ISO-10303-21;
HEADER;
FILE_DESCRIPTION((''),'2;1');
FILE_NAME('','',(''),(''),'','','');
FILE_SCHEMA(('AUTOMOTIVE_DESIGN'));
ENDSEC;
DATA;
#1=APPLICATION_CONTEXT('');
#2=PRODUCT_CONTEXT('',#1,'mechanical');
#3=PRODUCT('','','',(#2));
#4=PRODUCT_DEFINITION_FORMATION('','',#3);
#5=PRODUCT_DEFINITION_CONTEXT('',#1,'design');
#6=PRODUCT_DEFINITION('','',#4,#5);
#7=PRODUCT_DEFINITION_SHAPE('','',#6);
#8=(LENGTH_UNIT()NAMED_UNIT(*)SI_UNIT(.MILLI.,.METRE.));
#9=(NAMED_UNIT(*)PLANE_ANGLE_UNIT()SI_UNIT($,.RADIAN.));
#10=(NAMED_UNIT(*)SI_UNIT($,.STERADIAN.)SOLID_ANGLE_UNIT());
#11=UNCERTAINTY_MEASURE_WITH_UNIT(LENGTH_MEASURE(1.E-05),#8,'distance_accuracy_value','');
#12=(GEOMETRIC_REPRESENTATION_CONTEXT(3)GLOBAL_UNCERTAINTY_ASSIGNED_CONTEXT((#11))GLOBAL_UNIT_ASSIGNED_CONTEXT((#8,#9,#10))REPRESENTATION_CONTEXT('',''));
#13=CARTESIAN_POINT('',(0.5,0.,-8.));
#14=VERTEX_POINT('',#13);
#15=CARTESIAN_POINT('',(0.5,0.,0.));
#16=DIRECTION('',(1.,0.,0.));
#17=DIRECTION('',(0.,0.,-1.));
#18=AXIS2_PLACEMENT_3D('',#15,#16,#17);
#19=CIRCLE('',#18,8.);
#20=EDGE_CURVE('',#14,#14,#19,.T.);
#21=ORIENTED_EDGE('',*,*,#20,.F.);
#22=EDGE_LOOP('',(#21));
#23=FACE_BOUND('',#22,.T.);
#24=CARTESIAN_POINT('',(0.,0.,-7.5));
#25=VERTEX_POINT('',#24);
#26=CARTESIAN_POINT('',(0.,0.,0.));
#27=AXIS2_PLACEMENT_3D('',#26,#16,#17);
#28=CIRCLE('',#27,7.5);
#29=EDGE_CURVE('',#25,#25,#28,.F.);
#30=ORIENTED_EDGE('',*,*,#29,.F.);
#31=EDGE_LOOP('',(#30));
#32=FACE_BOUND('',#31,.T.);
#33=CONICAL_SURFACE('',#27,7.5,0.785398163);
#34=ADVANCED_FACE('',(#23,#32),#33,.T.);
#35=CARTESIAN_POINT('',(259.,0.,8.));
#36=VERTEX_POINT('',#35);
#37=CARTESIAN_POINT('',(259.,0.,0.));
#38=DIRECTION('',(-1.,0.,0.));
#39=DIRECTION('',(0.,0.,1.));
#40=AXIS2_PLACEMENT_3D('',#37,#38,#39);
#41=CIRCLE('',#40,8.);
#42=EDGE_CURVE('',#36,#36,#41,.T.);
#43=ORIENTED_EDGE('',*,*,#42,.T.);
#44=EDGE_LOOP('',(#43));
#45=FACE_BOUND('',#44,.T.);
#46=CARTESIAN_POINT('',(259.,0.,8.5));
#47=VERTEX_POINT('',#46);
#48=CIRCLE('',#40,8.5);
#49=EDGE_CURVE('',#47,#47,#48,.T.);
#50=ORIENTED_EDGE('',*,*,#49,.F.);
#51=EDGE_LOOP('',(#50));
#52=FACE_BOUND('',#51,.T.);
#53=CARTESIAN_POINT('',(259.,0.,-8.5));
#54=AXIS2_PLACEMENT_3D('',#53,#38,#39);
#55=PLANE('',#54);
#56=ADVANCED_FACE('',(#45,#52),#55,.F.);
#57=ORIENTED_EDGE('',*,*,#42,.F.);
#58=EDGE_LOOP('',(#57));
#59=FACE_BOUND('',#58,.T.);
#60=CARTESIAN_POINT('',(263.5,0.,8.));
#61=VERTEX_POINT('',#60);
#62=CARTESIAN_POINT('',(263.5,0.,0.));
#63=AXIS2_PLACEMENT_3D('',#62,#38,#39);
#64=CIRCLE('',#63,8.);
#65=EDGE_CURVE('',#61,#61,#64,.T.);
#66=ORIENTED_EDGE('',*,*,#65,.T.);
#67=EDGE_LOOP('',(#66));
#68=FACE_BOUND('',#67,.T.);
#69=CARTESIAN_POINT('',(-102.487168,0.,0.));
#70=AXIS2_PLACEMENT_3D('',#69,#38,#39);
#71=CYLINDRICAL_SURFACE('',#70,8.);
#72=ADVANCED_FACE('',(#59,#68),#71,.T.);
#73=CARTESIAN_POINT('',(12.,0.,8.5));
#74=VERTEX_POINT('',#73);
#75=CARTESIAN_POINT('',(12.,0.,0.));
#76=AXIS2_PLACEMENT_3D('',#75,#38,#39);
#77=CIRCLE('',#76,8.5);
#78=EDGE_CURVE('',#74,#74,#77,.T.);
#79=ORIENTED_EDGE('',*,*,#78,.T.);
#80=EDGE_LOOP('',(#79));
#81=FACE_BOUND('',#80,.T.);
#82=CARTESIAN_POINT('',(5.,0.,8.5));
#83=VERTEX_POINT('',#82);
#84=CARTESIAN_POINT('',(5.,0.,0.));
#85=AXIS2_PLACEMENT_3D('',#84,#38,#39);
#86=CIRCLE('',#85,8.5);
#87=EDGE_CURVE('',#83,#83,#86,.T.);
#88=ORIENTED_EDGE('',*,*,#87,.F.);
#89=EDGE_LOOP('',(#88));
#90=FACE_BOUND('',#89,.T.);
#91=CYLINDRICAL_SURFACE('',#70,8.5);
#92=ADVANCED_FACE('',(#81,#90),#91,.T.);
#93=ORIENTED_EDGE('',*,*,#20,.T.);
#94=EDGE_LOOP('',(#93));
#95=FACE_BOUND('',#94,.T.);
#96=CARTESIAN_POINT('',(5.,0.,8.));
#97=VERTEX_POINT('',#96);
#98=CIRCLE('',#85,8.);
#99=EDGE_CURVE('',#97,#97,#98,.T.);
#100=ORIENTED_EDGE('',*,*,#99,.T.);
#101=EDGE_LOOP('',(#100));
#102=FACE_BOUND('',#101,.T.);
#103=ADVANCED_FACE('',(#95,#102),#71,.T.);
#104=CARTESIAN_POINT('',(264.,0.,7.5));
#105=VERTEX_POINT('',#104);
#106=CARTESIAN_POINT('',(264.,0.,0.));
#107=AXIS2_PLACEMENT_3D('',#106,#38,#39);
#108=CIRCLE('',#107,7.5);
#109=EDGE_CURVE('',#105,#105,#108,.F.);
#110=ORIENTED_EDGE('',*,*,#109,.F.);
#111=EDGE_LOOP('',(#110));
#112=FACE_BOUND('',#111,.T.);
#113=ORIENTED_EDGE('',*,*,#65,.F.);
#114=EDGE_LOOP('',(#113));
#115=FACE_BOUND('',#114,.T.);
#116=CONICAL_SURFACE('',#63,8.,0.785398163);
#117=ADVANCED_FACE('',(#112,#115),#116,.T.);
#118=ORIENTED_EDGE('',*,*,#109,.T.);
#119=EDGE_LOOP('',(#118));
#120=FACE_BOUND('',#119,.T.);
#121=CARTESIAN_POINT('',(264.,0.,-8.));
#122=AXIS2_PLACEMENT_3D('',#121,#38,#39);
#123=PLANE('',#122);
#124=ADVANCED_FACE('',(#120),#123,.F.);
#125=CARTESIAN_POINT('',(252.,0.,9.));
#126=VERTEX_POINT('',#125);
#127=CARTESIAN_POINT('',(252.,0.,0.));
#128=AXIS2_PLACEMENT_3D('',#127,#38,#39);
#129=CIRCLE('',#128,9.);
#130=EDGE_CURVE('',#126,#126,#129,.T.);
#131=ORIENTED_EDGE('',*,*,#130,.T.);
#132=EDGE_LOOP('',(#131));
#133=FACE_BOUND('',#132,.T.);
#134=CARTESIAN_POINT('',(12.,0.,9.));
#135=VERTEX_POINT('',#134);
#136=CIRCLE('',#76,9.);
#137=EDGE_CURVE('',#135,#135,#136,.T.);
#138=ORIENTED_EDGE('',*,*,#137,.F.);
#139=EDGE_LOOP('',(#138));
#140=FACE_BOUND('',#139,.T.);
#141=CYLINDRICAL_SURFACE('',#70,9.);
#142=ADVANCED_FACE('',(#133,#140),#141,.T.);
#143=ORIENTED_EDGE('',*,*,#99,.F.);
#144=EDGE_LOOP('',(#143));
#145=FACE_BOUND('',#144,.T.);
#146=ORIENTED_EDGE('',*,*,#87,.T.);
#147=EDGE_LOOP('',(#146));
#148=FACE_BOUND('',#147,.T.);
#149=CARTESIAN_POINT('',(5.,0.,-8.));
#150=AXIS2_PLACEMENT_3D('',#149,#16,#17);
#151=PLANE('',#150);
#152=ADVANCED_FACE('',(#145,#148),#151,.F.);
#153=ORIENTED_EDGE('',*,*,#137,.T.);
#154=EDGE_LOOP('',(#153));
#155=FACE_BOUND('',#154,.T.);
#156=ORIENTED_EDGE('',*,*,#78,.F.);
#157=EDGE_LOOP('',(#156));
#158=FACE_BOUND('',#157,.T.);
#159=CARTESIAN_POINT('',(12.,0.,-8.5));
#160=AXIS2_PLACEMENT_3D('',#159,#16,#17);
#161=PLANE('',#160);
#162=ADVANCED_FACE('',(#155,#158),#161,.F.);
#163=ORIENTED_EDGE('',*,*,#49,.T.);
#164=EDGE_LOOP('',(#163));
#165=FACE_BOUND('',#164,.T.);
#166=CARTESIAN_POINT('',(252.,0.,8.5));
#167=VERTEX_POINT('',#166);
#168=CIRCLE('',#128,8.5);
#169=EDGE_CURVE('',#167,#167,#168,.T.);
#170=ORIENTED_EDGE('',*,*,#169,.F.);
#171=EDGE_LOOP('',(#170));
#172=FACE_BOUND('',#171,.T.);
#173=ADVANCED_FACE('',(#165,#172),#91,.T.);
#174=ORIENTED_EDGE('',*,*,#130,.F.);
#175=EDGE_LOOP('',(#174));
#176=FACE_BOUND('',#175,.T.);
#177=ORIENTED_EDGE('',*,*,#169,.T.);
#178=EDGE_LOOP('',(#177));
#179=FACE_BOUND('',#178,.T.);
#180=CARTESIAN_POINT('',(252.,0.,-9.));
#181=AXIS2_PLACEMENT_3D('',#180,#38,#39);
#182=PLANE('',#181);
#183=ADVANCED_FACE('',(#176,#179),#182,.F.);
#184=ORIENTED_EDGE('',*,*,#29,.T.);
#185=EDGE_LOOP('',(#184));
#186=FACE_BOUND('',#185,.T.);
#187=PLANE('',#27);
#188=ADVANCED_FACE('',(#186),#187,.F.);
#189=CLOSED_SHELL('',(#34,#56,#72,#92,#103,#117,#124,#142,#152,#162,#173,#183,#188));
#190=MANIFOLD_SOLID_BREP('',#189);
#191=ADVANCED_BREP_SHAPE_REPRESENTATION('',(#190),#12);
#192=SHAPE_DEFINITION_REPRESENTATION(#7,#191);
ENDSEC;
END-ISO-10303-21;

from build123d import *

# Parameters (mm, degrees)
CHAMFER_1_SIZE = 0.5
CHAMFER_2_SIZE = 0.5


with BuildPart() as part:
    # 草图1 → 旋转1 (revolve)
    with BuildSketch(Plane(origin=(0, 0, 0), x_dir=(1, 0, 0), z_dir=(0, 1, 0)), mode=Mode.PRIVATE) as revolve_1_sk:
        Polygon((0, 0), (0, 8), (5, 8), (5, 8.5), (12, 8.5), (12, 9), (252, 9), (252, 8.5), (259, 8.5), (259, 8), (264, 8), (264, 0), align=None)
    revolve(revolve_1_sk.sketch.rotate(Axis((-102.487167665, 0, 0), (1, 0, 0)), 180), axis=Axis((-102.487167665, 0, 0), (1, 0, 0)))

    # 倒角1
    chamfer_1_edges = [part.edges().sort_by_distance(p)[0] for p in [
        (264, 0, -8),
    ]]
    chamfer(chamfer_1_edges, length=CHAMFER_1_SIZE)

    # 倒角2
    chamfer_2_edges = [part.edges().sort_by_distance(p)[0] for p in [
        (0, 0, -8),
    ]]
    chamfer(chamfer_2_edges, length=CHAMFER_2_SIZE)


solid = part.part
